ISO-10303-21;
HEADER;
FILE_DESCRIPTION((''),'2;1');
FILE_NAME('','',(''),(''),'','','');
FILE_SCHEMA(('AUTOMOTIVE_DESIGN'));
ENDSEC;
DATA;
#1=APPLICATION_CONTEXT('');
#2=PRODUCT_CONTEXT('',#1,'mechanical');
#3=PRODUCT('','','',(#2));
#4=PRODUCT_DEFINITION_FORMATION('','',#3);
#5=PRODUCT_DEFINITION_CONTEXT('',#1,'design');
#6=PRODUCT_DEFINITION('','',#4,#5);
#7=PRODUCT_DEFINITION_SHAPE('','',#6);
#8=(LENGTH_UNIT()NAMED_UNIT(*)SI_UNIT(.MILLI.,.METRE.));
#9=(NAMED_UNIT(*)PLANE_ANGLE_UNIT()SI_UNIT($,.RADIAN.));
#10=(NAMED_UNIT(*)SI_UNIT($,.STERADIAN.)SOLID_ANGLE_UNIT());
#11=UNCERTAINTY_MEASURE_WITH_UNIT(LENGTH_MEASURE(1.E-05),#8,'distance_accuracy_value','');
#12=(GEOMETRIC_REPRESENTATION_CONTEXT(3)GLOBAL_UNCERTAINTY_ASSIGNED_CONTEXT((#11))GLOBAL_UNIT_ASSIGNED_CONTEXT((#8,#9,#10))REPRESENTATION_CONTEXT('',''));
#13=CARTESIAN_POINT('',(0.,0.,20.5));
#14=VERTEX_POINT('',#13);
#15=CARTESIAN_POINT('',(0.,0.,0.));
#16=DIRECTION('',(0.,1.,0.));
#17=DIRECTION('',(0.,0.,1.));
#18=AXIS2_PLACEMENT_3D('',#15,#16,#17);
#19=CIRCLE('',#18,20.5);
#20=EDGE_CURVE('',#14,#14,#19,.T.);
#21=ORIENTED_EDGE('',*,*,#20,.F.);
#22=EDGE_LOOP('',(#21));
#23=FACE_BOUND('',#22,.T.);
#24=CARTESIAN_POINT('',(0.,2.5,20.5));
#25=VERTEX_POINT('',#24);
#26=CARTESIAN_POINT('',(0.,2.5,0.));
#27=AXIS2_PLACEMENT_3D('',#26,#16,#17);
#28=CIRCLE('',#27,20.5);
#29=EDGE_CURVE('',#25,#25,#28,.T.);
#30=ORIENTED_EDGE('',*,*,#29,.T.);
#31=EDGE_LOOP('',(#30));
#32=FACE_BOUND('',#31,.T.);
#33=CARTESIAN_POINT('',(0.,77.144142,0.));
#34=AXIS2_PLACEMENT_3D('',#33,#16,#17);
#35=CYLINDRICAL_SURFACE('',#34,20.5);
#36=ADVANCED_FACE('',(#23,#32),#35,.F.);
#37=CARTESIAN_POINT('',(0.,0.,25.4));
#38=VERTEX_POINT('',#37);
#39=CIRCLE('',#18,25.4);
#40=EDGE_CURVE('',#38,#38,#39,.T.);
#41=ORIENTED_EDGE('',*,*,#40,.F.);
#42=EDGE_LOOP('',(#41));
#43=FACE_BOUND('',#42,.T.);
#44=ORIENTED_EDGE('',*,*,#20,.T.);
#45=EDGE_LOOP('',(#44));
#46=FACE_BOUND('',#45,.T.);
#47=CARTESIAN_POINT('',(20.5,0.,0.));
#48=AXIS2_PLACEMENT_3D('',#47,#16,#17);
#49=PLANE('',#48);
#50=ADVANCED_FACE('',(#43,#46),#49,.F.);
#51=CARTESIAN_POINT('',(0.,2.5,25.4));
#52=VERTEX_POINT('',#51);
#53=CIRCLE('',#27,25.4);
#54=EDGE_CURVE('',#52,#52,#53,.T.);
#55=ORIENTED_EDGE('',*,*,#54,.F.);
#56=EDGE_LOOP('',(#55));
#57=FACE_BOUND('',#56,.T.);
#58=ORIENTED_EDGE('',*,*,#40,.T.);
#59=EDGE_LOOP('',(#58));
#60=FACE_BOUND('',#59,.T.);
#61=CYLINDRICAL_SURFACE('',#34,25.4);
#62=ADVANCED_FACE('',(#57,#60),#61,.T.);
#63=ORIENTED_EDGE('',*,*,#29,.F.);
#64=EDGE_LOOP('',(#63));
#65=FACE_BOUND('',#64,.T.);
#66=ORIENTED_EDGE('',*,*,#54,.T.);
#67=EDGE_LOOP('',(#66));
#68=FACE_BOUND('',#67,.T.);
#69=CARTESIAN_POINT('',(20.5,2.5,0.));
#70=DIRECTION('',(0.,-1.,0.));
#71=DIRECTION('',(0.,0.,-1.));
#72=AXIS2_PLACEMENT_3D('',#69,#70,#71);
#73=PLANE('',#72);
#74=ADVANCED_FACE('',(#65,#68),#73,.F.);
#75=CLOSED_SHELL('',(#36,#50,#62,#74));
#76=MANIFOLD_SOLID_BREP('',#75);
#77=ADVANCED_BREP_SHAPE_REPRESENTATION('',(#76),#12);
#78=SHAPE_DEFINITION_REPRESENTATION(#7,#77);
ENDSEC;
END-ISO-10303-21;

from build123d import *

# Parameters (mm, degrees)
SKETCH_1_W = 4.9
SKETCH_1_H = 2.5


with BuildPart() as part:
    # 草图1 → 旋转1 (revolve)
    with BuildSketch(Plane.XY, mode=Mode.PRIVATE) as revolve_1_sk:
        with Locations((22.95, 1.25)):
            Rectangle(SKETCH_1_W, SKETCH_1_H)
    revolve(revolve_1_sk.sketch.rotate(Axis((0, 77.144142266, 0), (0, -1, 0)), 90), axis=Axis((0, 77.144142266, 0), (0, -1, 0)))  # turned: the seam where the file's is


solid = part.part
